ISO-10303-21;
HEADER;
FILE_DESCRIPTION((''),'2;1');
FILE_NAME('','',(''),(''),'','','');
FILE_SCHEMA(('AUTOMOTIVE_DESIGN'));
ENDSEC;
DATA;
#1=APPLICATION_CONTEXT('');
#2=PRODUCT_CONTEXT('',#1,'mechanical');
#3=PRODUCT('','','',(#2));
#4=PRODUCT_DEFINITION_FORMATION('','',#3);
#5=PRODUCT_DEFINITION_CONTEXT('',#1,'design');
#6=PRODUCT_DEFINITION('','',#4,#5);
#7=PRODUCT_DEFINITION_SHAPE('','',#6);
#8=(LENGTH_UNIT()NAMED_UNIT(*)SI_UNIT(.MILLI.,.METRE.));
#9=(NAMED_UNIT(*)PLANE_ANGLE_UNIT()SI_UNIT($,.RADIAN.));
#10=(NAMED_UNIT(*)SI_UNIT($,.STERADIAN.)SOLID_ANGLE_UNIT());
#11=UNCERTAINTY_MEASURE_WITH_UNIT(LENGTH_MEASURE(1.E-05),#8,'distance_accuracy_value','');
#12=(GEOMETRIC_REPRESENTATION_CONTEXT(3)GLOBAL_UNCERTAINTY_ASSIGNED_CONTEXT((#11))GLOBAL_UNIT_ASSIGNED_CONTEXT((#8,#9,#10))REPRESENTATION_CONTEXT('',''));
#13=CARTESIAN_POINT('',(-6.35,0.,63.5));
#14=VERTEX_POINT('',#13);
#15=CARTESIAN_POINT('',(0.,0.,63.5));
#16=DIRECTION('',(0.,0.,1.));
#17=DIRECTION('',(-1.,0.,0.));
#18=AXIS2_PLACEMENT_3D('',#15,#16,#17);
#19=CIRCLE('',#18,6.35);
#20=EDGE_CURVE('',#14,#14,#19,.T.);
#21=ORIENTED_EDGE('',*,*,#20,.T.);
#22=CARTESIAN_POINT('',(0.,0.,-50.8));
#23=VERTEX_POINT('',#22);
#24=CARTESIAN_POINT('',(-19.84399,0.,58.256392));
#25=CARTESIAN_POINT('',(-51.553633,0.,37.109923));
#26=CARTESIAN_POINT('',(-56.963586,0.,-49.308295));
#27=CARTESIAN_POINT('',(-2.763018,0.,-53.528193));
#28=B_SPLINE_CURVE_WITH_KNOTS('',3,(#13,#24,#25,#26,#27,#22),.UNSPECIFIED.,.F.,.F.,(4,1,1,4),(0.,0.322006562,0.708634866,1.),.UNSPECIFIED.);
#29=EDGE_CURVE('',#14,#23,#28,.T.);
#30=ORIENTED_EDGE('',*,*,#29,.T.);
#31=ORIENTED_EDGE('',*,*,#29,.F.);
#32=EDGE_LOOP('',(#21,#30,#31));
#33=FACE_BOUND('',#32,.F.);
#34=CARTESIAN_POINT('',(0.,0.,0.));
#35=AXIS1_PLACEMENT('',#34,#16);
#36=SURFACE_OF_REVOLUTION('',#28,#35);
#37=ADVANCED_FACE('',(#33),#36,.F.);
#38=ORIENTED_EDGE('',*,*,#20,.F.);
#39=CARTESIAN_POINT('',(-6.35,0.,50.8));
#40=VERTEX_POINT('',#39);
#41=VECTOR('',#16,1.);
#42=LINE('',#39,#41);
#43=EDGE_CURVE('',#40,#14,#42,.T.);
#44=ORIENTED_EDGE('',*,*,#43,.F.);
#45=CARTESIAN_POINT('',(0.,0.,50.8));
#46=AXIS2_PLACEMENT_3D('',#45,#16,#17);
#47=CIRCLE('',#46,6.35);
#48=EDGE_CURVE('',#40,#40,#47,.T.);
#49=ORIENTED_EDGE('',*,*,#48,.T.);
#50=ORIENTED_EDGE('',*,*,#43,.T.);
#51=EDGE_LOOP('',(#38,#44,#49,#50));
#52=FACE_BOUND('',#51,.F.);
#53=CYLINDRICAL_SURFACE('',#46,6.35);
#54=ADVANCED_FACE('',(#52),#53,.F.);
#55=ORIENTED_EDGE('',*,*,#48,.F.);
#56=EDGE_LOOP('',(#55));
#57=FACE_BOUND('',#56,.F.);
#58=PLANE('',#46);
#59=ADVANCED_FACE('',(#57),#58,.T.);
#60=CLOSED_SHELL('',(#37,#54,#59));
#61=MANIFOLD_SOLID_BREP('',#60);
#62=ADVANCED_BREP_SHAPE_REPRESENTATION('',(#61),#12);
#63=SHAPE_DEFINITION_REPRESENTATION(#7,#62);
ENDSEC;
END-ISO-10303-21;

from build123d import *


with BuildPart() as f1:
    # F0 (on Front) → F1 (revolve)
    with BuildSketch(Plane.XZ):
        with BuildLine():
            add(Edge.make_bspline(
                [(-6.35, 63.5), (-19.843990004, 58.2563924342), (-51.5536334163, 37.1099232133), (-56.9635859312, -49.3082946041), (-2.7630175617, -53.5281927298), (0, -50.8)],
                knots=[0, 0, 0, 0, 0.3220065624, 0.708634866, 1, 1, 1, 1], degree=3))
            Line((0, -50.8), (0, 50.8))
            Line((0, 50.8), (-6.35, 50.8))
            Line((-6.35, 50.8), (-6.35, 63.5))
        make_face()
    revolve(axis=Axis((0, 0, 0), (0, 0, 1)))


solid = f1.part
